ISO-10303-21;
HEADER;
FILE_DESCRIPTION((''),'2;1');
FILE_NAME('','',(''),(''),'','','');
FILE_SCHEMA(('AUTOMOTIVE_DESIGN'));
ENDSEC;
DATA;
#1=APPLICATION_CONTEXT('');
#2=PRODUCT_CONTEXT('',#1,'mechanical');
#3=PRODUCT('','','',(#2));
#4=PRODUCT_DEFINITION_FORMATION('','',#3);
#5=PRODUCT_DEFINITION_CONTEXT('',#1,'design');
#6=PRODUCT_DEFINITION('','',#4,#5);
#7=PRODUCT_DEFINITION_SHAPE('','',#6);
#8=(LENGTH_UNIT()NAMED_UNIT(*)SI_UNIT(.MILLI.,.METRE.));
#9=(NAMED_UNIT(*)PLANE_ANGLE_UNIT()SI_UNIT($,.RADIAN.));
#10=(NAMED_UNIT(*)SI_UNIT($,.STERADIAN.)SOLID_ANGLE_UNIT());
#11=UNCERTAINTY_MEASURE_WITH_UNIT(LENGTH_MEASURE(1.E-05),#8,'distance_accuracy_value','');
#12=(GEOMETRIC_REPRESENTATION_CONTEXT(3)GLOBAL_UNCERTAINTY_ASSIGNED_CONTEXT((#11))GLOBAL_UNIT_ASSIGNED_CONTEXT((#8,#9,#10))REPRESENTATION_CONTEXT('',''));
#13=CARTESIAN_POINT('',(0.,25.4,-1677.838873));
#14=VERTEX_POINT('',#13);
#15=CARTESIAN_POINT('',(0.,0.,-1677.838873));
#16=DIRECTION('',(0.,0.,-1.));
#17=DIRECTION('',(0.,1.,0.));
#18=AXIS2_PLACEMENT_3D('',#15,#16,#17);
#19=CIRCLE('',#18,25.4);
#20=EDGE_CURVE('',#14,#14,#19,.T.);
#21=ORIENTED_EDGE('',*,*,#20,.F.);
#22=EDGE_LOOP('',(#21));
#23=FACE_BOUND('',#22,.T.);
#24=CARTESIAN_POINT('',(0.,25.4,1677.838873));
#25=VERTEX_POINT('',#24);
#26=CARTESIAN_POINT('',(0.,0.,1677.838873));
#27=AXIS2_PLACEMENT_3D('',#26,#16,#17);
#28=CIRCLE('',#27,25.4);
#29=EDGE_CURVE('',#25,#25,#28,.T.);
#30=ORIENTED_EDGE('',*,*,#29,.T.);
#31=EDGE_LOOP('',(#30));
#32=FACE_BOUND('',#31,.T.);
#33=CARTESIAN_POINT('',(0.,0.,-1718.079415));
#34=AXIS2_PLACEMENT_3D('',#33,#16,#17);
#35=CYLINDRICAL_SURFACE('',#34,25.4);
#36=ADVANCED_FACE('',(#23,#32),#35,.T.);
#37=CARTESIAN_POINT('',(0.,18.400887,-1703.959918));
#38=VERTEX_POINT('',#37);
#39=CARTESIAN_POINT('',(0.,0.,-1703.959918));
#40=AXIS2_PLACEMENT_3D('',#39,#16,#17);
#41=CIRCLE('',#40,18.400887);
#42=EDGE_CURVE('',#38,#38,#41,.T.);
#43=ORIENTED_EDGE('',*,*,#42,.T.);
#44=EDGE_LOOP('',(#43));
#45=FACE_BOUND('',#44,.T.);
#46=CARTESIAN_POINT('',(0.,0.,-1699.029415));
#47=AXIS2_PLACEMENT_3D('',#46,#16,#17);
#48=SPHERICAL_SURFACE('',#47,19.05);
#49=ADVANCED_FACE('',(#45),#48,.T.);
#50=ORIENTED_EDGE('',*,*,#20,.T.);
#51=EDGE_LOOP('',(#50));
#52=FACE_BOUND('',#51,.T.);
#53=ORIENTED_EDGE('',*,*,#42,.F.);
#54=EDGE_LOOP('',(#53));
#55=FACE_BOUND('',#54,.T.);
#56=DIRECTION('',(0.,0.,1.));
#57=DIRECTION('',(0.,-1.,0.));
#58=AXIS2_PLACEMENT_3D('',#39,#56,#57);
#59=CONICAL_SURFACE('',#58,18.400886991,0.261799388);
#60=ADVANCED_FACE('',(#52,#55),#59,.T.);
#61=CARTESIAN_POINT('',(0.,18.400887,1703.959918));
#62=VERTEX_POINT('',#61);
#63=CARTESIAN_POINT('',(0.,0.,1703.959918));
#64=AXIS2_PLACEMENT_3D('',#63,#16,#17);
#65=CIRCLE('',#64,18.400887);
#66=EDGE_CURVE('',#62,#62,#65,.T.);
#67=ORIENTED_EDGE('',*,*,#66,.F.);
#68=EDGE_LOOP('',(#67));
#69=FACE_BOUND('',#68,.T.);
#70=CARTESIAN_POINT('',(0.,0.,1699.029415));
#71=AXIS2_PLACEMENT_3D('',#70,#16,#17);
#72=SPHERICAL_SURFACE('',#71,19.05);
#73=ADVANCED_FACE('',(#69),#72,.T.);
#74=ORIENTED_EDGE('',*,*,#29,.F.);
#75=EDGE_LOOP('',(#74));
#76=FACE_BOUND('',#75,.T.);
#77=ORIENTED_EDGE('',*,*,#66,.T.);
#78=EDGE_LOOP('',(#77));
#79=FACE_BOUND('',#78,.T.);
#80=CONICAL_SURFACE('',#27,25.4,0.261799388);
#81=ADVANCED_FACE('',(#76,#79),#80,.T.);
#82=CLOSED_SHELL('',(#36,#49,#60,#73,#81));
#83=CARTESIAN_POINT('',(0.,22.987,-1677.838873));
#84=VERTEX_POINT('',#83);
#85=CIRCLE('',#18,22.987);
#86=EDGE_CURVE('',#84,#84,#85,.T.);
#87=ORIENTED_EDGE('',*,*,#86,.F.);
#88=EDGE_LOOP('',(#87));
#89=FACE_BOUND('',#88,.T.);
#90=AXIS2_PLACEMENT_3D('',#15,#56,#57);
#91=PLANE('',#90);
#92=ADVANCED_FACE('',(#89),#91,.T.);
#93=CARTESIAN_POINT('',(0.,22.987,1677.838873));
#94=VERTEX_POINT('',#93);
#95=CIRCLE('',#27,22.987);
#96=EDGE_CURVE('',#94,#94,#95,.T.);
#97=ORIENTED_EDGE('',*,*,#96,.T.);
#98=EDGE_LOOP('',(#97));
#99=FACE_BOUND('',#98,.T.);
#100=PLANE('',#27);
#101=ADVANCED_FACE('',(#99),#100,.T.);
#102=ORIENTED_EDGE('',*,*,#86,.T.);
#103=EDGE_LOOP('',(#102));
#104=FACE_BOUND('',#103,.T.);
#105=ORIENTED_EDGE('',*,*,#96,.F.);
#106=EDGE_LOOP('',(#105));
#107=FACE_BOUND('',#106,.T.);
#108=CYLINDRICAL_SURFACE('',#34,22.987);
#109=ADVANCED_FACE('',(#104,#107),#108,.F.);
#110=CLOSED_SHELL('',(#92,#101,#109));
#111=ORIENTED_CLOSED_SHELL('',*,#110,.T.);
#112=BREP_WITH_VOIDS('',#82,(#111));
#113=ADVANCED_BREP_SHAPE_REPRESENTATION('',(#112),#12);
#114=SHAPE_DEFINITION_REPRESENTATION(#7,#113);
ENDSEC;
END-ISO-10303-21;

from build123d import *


with BuildPart() as part:
    # Sketch2 → Revolve1 (revolve)
    with BuildSketch(Plane(origin=(0, 0, 0), x_dir=(0, 0, -1), z_dir=(1, 0, 0))):
        with BuildLine():
            Line((1677.838872597, 25.4), (1703.959917956, 18.400886991))
            ThreePointArc((1703.959917956, 18.400886991), (1714.142796279, 11.596905223), (1718.079415146, 0))
            Line((1718.079415146, 0), (1677.838872597, 0))
            Line((1677.838872597, 0), (1677.838872597, 22.987))
            Line((1677.838872597, 22.987), (0, 22.987))
            Line((0, 22.987), (-1677.838872597, 22.987))
            Line((-1677.838872597, 22.987), (-1677.838872597, 0))
            Line((-1677.838872597, 0), (-1718.079415146, 0))
            ThreePointArc((-1718.079415146, 0), (-1714.142796279, 11.596905223), (-1703.959917956, 18.400886991))
            Line((-1703.959917956, 18.400886991), (-1677.838872597, 25.4))
            Line((-1677.838872597, 25.4), (1677.838872597, 25.4))
        make_face()
    revolve(axis=Axis((0, 0, -1718.079415146), (0, 0, 1)))


solid = part.part
